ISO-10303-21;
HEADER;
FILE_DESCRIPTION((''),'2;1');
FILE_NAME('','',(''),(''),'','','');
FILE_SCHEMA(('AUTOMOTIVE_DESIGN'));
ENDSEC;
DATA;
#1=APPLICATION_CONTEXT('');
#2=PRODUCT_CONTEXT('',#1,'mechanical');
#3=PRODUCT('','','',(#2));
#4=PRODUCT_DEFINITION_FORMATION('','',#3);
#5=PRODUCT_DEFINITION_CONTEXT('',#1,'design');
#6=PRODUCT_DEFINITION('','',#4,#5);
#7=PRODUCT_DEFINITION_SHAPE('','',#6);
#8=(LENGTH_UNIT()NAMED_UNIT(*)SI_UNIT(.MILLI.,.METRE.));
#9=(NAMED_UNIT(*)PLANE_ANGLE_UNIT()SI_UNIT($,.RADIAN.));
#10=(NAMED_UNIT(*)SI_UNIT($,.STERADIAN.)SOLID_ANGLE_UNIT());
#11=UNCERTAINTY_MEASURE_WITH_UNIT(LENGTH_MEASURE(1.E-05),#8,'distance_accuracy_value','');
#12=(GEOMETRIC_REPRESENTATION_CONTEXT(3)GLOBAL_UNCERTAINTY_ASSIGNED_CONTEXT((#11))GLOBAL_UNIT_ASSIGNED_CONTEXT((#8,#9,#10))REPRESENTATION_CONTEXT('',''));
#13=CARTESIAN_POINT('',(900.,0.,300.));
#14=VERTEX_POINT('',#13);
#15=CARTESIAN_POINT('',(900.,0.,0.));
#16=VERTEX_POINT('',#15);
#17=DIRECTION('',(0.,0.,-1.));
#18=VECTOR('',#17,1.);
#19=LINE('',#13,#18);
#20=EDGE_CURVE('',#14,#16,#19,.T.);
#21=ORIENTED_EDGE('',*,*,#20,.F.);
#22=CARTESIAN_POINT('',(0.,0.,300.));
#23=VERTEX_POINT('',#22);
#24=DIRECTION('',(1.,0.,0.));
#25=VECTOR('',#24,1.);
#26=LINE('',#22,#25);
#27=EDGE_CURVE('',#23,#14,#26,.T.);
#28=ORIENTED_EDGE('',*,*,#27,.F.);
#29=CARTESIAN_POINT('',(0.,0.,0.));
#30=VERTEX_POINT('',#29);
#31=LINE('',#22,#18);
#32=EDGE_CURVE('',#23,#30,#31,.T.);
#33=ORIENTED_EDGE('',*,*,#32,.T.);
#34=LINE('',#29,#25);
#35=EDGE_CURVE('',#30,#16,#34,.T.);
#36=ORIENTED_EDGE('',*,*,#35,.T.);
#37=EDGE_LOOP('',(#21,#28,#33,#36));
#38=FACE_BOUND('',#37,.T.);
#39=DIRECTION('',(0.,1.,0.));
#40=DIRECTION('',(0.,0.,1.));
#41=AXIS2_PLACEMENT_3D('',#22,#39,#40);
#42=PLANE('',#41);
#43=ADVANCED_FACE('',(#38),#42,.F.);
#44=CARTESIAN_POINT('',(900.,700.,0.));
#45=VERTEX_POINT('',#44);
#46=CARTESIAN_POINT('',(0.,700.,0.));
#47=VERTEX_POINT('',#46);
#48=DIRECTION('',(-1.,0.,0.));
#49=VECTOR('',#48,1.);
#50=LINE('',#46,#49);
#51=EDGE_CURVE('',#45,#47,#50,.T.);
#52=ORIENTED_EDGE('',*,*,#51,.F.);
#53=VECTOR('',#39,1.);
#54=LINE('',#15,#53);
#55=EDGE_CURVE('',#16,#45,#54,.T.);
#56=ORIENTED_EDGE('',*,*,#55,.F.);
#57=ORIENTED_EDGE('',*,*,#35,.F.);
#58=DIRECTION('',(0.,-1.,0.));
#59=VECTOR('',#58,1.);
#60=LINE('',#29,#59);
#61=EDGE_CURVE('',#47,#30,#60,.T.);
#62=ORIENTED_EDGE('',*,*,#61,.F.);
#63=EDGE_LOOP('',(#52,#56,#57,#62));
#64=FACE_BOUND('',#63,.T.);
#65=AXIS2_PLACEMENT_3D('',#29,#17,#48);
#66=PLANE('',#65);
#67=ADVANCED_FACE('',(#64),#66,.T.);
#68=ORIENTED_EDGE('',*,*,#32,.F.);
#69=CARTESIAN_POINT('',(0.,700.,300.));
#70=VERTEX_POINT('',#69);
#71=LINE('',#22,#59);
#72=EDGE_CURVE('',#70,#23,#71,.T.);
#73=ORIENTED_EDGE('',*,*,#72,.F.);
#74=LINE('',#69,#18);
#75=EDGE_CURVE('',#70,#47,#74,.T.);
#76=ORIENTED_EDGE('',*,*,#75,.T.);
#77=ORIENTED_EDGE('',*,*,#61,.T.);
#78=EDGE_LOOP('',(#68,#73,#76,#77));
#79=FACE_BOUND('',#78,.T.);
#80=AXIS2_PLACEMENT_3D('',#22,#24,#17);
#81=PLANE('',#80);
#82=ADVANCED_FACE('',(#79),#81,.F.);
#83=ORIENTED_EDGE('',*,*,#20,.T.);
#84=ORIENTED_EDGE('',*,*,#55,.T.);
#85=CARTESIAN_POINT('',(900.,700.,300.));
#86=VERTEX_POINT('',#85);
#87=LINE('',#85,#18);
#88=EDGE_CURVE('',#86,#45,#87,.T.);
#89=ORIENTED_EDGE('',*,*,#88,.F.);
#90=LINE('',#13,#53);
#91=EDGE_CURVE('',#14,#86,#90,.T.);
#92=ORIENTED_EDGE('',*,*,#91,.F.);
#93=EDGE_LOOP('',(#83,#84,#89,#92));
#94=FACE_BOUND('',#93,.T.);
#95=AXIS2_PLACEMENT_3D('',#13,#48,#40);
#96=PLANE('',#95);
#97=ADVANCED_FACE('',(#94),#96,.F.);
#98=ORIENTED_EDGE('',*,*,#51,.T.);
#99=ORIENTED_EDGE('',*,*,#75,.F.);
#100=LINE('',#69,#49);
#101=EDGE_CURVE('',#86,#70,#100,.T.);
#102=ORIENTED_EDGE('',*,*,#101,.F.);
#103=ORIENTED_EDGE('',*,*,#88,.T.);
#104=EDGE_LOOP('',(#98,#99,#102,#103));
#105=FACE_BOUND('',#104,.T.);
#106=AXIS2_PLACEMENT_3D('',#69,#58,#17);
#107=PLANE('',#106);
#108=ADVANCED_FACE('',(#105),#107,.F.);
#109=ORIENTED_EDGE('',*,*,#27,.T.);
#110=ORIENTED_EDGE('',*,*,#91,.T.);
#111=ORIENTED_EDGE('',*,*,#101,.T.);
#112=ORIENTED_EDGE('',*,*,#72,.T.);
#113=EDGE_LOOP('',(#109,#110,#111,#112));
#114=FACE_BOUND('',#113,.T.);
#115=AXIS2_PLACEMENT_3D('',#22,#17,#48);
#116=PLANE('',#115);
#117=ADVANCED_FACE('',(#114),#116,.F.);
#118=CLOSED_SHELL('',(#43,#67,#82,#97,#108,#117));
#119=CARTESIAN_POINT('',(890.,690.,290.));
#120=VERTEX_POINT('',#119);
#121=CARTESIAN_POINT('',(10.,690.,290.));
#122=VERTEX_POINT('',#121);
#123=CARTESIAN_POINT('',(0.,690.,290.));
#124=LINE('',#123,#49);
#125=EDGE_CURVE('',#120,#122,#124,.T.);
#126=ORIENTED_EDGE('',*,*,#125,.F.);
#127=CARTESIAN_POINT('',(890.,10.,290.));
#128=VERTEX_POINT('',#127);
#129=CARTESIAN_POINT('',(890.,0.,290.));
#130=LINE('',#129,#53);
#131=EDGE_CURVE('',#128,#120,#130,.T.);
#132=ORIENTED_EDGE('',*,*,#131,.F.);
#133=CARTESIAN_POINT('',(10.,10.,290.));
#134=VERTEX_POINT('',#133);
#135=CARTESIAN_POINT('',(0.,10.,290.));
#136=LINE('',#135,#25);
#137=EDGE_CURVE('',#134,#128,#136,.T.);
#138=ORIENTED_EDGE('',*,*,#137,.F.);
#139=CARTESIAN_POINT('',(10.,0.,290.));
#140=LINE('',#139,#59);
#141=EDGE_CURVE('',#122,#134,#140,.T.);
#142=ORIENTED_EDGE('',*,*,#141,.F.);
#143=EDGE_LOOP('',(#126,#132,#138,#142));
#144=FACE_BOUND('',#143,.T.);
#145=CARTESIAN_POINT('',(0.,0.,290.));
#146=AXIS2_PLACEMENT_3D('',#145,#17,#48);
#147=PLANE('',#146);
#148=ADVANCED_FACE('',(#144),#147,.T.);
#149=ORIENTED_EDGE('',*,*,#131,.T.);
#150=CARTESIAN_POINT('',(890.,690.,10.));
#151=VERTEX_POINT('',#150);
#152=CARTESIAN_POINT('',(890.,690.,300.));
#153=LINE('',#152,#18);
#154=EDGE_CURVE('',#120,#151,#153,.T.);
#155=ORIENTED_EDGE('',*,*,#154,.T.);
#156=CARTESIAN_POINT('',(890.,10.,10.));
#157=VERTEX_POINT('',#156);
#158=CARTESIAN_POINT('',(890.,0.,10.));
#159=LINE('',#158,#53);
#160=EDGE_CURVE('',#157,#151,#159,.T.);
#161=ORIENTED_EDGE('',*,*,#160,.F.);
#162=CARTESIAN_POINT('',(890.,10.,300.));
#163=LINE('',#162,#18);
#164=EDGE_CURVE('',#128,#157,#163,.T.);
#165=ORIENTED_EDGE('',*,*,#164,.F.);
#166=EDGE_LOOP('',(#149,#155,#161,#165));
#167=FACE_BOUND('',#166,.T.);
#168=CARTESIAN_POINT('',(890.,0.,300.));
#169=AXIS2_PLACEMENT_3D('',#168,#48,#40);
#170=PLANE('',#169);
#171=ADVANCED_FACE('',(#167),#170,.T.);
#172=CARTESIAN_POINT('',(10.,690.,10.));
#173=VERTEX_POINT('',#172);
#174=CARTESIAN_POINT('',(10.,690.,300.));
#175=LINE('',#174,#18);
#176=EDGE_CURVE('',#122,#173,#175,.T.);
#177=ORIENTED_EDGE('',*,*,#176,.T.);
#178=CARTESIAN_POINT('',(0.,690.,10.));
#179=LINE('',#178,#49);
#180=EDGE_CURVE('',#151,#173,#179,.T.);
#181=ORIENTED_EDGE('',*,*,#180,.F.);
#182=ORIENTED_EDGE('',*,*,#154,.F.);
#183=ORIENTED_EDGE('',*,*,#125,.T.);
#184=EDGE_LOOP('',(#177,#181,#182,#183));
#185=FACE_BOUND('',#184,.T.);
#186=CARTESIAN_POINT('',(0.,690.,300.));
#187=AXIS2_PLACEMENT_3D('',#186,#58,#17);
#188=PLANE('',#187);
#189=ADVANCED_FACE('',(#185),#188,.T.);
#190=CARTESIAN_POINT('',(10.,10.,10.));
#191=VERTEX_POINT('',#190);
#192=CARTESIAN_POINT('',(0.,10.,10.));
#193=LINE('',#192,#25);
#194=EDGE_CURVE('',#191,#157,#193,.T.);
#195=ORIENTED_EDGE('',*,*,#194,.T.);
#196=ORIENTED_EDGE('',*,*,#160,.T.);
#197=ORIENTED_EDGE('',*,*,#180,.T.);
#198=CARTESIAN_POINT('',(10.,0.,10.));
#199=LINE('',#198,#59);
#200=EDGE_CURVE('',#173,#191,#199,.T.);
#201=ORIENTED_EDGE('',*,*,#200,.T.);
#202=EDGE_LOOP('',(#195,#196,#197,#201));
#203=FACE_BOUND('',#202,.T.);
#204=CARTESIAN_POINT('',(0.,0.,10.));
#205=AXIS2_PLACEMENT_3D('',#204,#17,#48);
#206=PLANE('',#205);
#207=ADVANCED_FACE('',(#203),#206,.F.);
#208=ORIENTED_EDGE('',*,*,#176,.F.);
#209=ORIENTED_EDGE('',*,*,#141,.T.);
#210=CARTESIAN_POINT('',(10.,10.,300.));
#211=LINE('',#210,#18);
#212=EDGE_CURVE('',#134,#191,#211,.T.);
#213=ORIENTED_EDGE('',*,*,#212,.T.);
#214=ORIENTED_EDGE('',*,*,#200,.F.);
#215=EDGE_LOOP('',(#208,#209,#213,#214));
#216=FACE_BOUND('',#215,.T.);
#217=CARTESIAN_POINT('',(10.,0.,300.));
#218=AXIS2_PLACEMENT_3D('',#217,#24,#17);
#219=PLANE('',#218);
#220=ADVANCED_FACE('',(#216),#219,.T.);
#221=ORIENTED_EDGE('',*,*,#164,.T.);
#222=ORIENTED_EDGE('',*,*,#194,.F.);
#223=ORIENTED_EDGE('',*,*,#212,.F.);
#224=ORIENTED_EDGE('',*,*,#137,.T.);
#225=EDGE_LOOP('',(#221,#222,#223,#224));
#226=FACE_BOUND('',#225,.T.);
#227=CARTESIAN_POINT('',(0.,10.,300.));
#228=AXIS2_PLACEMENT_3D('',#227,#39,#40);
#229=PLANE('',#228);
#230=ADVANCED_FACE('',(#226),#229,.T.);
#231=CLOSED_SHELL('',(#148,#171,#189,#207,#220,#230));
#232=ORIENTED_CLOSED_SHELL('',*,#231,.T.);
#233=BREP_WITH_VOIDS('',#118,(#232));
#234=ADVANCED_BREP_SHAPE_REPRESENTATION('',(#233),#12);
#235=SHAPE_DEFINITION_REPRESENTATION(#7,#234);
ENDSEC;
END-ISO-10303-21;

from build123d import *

# Parameters (mm, degrees)
SKETCH1_W           = 900
SKETCH1_H           = 700
BOSS_EXTRUDE1_DEPTH = 300
SHELL1_T            = 10


with BuildPart() as part:
    # Sketch1 → Boss-Extrude1 (new body)
    with BuildSketch(Plane.XY):
        with Locations((450, 350)):
            Rectangle(SKETCH1_W, SKETCH1_H)
    extrude(amount=BOSS_EXTRUDE1_DEPTH)

    # Shell1 (no face opened: a closed hollow body)
    add(offset(amount=-SHELL1_T, mode=Mode.PRIVATE), mode=Mode.SUBTRACT)


solid = part.part
